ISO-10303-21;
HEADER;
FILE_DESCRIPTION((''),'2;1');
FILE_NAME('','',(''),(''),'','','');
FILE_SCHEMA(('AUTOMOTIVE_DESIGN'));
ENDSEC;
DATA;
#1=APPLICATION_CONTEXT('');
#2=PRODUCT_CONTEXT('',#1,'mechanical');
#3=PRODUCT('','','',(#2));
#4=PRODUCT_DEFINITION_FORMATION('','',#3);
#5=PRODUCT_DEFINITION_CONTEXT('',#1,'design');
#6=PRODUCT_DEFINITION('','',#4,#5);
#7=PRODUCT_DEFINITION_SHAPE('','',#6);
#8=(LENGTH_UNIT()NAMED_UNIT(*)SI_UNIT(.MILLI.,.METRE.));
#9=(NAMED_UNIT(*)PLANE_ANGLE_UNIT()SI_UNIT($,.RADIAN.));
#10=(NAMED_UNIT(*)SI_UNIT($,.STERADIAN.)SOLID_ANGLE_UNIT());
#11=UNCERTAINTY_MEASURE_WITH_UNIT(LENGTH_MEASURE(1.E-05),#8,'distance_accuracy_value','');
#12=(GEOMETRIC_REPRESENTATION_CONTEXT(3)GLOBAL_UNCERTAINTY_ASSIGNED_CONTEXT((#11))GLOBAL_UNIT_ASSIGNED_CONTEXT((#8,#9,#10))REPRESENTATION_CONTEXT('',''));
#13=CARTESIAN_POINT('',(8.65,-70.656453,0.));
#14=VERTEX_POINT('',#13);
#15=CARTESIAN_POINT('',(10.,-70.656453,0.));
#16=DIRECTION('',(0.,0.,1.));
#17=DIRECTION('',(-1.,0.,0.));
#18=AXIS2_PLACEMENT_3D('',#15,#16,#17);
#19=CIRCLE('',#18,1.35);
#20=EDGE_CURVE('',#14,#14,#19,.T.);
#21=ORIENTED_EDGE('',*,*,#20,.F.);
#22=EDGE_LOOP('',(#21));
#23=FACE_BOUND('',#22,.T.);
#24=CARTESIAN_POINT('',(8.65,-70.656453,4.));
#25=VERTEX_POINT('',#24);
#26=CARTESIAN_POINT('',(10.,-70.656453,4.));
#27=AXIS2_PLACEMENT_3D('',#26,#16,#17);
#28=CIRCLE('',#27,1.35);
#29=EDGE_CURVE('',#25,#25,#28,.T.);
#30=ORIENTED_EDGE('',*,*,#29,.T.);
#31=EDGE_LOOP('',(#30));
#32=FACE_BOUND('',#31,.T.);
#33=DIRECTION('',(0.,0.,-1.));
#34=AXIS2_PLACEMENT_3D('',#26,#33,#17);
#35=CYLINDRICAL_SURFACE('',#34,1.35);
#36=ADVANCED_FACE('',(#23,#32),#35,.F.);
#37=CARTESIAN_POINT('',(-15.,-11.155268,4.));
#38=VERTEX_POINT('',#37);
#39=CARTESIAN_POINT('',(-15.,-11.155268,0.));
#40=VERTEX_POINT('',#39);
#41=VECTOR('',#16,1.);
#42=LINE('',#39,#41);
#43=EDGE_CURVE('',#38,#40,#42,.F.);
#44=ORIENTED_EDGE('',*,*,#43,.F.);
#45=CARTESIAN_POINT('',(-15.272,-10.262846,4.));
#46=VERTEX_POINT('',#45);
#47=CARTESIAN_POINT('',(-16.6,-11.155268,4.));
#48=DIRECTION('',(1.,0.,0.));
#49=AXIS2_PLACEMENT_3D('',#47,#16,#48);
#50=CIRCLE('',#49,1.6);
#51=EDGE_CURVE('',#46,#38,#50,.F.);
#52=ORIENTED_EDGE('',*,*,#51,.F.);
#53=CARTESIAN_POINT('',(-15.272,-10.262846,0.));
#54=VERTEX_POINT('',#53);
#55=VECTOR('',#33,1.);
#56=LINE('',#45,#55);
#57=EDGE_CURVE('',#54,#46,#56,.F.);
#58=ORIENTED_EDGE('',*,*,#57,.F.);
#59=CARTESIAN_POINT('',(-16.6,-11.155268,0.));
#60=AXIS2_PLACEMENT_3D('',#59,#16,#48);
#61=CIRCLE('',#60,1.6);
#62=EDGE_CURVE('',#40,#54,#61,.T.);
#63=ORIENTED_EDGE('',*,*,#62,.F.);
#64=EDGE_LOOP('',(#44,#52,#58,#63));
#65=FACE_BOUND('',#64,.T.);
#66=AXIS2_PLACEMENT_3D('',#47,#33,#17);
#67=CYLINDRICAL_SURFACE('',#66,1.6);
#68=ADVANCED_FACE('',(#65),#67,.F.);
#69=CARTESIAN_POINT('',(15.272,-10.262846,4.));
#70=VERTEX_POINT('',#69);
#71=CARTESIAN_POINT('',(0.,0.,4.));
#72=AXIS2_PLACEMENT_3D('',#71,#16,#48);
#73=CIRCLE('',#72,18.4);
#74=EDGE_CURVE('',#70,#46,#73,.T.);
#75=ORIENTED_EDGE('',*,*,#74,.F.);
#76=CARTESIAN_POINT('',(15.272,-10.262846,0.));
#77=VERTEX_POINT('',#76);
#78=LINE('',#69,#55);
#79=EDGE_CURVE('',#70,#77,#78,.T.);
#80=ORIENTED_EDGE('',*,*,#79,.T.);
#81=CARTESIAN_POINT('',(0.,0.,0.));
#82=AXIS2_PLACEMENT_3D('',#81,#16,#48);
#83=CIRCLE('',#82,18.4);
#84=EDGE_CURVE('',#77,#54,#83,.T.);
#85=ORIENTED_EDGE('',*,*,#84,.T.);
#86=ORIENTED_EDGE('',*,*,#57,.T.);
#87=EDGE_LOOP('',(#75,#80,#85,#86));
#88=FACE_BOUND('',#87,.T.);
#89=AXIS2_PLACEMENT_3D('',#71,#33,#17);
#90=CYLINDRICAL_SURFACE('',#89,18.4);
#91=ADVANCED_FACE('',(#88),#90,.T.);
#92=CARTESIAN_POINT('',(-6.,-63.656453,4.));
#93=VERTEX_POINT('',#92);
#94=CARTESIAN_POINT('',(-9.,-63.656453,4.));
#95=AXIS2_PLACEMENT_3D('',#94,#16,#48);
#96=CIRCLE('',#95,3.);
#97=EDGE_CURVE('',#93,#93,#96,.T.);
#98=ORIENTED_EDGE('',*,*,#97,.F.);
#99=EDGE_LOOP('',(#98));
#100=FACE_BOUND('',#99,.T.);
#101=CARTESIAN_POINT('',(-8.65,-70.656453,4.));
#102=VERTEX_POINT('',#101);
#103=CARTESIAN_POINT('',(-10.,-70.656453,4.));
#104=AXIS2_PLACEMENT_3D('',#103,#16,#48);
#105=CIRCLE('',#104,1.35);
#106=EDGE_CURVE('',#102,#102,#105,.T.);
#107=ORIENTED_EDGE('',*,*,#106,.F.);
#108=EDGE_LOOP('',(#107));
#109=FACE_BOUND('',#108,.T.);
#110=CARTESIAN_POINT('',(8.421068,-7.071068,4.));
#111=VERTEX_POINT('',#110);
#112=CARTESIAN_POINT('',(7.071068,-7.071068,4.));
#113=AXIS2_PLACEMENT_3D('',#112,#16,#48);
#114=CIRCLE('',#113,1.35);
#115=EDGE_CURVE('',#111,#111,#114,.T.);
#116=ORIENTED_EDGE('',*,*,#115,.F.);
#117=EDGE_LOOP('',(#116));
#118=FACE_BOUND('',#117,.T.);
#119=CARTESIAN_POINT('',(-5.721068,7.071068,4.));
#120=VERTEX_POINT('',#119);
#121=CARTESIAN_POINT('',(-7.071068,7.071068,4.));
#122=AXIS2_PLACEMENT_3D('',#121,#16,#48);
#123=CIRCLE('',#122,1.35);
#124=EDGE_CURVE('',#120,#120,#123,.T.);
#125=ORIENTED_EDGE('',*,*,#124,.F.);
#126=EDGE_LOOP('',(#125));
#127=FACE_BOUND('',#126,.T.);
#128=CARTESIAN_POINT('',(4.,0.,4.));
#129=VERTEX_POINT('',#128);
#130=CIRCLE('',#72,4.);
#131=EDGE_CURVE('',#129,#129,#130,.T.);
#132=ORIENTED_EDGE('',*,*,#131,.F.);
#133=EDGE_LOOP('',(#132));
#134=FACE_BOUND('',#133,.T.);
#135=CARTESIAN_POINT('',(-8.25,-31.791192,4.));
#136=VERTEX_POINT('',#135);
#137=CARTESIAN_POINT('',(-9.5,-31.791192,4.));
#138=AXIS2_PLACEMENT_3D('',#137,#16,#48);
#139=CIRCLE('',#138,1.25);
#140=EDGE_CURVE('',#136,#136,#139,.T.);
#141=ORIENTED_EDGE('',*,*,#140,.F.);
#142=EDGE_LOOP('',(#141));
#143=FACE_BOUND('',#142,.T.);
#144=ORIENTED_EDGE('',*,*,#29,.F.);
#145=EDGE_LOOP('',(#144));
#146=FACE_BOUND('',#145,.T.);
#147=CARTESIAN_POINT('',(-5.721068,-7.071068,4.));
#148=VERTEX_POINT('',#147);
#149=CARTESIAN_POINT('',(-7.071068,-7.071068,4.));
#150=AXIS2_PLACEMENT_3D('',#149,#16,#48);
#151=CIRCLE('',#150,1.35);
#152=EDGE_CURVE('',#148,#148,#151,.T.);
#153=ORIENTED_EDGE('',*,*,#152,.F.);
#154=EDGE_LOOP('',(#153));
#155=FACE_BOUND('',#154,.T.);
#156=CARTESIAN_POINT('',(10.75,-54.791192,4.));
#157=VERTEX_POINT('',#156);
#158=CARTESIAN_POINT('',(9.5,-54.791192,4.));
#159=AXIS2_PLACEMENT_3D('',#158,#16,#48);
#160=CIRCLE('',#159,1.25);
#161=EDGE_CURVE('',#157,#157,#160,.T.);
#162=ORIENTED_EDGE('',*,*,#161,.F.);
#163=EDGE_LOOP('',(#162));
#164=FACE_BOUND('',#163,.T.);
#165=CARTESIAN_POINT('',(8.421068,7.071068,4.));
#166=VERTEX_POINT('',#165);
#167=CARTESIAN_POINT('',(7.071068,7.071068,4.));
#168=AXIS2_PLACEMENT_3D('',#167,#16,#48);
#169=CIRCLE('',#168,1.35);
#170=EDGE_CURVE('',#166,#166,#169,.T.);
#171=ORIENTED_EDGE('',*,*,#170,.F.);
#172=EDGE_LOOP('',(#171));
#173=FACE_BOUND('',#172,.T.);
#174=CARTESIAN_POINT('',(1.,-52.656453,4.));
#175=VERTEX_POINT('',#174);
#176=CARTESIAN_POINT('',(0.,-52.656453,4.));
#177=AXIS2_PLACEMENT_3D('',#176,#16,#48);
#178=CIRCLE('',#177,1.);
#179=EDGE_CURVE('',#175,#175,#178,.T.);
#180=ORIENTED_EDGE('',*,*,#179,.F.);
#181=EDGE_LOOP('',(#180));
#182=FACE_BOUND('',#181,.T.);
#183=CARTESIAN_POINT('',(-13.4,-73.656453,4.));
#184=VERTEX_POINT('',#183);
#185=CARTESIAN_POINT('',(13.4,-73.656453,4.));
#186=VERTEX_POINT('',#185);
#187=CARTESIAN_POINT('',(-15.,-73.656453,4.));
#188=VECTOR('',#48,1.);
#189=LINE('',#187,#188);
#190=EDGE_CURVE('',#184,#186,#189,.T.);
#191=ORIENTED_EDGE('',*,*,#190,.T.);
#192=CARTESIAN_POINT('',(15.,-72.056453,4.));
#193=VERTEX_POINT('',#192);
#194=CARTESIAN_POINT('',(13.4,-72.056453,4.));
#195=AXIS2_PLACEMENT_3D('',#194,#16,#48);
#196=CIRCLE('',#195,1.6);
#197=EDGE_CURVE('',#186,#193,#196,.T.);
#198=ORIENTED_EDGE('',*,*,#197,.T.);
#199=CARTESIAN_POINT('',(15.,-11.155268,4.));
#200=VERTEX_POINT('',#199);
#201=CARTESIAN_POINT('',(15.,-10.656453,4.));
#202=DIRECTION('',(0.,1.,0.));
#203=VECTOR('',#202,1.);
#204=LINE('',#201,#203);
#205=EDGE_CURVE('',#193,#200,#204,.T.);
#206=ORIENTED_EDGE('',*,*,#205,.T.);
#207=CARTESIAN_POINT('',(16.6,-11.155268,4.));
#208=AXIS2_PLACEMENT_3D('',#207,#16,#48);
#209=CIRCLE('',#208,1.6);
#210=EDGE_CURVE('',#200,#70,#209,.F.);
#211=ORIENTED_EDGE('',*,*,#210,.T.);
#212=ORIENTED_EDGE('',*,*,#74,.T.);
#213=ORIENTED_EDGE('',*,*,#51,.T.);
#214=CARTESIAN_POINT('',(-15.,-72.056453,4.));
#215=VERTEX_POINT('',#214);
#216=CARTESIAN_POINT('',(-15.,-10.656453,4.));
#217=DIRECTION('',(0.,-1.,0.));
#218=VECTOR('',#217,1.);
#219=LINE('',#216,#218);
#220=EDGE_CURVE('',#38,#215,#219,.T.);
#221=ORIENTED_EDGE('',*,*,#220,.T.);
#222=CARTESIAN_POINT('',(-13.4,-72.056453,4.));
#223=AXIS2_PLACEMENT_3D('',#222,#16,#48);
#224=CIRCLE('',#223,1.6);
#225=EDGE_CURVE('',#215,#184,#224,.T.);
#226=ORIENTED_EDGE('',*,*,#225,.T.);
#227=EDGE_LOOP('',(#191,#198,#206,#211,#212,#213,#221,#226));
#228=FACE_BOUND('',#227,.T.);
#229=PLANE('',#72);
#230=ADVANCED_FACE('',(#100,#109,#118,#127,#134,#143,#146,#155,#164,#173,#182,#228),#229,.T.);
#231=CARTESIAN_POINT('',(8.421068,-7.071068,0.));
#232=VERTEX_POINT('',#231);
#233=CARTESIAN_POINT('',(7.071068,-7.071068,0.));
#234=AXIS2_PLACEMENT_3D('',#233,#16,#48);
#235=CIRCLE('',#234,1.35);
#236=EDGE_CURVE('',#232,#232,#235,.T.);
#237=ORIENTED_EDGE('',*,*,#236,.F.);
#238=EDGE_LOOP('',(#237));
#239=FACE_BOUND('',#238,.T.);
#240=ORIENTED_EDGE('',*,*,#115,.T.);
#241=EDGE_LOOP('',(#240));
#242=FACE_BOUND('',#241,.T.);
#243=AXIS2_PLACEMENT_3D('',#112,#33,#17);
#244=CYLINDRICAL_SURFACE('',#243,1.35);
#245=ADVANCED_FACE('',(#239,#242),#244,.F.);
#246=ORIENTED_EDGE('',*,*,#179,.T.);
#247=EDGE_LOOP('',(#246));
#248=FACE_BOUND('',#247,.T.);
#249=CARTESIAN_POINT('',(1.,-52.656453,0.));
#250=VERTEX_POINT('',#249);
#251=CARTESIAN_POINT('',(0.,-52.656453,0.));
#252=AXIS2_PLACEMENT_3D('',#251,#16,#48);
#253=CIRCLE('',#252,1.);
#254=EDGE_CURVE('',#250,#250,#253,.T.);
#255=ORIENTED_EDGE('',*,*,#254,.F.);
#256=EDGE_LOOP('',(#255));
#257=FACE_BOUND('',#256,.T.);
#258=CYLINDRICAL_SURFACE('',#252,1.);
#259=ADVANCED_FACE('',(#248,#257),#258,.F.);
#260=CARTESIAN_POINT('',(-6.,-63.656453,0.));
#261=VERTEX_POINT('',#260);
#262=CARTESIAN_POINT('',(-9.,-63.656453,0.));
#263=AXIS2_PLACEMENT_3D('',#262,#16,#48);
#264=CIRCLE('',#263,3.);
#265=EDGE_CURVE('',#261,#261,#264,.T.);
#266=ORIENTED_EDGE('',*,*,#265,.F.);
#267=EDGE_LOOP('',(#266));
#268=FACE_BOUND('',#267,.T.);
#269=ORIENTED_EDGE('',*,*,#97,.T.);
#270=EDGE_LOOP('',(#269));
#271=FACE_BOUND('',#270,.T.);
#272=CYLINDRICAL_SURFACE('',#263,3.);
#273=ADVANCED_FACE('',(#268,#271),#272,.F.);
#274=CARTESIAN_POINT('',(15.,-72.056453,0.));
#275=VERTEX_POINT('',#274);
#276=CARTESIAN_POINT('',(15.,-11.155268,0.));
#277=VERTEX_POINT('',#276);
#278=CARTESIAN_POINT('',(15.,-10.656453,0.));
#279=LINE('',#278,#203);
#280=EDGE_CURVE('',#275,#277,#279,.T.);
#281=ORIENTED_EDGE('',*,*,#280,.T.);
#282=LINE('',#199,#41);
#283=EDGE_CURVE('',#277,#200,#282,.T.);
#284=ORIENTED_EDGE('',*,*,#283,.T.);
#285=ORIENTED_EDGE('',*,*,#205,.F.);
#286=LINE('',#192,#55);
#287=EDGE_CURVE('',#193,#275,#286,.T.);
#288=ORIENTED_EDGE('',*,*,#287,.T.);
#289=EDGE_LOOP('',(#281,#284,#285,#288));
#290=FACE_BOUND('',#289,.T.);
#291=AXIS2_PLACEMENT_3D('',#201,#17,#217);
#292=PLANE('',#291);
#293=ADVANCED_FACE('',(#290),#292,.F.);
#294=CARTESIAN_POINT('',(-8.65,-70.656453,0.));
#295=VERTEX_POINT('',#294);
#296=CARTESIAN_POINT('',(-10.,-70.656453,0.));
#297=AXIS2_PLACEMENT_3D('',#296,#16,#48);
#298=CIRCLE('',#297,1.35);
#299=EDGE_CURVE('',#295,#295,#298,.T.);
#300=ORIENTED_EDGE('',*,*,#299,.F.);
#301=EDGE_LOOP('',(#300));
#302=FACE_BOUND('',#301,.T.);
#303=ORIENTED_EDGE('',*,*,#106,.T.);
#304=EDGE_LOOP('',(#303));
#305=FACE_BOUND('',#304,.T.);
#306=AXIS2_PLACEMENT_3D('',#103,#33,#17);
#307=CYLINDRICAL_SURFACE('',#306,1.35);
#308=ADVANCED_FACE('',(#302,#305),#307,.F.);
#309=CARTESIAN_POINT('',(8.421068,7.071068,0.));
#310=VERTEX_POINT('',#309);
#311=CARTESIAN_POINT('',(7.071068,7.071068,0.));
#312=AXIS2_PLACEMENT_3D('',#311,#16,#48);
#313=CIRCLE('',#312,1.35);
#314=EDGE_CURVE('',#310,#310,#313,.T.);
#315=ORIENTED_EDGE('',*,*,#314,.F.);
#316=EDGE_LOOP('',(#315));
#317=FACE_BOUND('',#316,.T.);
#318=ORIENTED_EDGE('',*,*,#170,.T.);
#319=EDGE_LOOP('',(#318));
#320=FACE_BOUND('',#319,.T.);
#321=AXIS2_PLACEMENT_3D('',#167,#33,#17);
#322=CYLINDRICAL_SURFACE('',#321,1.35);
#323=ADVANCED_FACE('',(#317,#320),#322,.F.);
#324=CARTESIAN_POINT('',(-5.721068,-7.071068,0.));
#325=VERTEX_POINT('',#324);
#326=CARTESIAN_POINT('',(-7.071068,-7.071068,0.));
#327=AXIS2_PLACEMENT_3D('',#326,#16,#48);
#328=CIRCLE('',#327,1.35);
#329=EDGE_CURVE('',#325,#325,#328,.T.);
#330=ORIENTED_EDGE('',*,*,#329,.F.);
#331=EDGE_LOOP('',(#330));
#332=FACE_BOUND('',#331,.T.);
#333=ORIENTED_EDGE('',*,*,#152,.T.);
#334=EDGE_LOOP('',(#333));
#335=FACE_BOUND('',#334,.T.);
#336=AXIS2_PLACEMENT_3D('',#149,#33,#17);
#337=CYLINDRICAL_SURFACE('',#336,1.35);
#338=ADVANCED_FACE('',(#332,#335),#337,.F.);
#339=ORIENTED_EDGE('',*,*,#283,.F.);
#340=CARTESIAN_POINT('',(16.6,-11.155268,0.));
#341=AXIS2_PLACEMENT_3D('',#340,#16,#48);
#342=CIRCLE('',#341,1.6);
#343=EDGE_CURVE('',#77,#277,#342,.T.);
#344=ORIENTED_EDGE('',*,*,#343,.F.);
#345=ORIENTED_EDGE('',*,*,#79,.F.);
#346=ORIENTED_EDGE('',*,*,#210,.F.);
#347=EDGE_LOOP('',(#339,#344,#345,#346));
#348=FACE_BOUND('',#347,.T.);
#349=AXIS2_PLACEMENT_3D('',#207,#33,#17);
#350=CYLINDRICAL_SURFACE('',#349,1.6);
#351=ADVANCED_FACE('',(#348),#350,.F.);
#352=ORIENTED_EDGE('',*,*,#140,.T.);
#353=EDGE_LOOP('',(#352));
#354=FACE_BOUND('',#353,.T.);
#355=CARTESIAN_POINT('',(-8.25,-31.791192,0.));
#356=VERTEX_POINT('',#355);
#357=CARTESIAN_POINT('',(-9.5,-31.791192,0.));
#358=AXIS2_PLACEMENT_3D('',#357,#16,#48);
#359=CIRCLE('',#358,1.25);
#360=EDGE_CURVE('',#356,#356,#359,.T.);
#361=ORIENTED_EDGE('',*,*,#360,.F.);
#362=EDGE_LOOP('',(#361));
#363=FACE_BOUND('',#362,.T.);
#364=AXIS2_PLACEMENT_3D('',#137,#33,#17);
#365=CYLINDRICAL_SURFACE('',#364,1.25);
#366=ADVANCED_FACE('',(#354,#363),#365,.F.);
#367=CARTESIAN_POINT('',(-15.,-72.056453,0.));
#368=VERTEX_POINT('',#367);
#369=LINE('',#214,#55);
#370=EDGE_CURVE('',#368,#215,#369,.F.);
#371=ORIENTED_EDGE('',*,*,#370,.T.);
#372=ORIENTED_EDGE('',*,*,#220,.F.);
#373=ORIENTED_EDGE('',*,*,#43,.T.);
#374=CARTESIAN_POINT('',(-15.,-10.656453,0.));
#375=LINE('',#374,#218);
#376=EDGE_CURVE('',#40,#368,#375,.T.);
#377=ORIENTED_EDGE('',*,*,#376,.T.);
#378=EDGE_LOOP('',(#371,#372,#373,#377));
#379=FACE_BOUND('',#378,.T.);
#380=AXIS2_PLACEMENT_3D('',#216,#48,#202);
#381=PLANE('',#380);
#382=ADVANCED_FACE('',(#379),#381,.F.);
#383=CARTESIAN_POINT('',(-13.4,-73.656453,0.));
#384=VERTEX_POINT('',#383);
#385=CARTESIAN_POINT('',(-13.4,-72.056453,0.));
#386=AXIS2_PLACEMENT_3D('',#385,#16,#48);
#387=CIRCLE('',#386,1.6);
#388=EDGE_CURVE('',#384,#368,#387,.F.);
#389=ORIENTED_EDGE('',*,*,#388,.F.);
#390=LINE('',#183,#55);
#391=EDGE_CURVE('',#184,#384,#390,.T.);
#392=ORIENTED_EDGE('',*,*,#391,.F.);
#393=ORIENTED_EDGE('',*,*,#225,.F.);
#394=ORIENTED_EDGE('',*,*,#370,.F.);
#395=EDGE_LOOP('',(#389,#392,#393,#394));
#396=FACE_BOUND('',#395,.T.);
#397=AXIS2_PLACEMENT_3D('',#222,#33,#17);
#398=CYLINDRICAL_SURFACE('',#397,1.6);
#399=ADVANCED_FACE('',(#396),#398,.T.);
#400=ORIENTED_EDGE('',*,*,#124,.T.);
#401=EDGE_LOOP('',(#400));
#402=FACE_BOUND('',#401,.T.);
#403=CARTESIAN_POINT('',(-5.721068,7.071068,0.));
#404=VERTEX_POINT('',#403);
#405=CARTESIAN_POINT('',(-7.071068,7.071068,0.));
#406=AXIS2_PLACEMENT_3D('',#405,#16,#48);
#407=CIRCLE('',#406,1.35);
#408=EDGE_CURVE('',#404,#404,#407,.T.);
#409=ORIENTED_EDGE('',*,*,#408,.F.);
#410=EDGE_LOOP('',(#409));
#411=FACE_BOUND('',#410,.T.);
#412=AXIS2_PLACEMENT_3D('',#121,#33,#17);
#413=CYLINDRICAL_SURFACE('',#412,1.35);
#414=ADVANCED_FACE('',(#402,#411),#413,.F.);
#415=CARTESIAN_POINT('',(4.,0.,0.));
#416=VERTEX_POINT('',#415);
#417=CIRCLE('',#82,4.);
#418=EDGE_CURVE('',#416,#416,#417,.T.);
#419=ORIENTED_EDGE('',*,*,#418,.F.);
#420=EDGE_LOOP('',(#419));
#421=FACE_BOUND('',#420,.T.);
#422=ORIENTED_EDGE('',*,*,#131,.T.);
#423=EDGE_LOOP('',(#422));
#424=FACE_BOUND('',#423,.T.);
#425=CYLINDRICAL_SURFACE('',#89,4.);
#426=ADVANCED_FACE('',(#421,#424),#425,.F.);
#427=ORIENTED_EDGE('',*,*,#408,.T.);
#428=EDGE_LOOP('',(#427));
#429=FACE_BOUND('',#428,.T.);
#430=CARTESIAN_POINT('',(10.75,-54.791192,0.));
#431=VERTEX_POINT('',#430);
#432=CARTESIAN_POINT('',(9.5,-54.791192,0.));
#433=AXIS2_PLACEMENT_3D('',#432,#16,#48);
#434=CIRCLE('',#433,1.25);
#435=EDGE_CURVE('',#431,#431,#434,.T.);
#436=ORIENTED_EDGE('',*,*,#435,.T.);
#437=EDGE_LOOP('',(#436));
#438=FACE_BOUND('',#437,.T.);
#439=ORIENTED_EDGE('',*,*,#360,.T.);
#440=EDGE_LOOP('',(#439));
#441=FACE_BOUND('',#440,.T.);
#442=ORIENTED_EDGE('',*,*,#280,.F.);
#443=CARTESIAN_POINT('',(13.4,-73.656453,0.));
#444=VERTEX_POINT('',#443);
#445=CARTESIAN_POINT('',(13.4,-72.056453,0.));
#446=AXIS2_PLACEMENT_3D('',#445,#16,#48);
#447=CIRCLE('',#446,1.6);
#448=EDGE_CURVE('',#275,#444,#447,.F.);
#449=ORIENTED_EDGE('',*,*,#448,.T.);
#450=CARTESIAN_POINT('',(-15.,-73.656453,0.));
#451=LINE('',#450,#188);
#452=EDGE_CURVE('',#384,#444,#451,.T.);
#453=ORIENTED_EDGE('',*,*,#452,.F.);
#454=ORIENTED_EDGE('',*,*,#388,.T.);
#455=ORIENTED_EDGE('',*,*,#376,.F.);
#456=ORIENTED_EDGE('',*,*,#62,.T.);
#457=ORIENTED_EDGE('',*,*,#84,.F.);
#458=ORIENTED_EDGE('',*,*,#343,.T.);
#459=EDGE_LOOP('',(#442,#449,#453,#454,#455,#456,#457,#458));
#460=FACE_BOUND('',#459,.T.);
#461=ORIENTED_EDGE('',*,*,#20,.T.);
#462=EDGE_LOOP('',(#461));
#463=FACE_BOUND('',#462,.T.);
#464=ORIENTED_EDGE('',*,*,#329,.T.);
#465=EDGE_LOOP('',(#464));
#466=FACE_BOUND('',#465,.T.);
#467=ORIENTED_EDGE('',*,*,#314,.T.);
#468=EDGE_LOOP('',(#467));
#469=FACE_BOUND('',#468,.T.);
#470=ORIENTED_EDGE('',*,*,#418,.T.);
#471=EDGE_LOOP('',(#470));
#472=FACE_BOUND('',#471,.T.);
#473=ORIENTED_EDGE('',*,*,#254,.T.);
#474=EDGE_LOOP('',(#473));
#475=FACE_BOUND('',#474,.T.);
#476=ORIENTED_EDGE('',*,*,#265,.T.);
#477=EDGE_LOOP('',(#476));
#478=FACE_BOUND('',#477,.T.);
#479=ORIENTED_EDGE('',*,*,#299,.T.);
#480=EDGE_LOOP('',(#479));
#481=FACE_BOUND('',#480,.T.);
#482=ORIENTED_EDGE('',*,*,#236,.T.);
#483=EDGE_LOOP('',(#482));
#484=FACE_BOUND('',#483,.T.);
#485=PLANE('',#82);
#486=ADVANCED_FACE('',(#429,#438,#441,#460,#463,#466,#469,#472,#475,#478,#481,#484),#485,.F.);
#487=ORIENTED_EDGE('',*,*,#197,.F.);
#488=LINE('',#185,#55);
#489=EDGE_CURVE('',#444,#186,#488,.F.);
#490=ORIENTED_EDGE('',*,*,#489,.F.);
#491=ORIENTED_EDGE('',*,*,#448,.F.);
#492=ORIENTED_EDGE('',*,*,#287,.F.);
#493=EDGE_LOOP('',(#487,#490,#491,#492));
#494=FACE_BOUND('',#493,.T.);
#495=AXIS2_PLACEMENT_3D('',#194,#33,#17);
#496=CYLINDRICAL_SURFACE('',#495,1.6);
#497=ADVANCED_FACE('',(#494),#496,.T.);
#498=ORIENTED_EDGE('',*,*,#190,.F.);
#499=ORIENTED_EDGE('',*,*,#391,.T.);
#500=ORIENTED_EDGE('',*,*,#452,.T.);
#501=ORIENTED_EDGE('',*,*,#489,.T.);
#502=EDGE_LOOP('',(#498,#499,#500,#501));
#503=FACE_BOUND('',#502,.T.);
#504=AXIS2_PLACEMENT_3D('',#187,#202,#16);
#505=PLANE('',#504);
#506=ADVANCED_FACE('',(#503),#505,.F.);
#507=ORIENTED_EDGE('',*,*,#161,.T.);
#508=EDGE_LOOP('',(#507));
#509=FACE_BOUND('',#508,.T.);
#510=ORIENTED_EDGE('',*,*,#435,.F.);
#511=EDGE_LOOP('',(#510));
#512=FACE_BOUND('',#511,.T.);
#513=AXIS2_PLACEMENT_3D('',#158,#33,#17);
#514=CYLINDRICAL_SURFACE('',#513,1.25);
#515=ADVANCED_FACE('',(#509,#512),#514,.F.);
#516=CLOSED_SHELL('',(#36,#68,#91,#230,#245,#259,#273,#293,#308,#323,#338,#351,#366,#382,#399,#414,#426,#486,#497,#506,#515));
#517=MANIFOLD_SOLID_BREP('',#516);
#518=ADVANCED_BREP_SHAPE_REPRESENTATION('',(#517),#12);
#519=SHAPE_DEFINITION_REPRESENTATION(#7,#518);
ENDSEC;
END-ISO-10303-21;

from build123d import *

# Parameters (mm, degrees)
CROQUIS1_R              = 1.35
CROQUIS1_R_2            = 4
CROQUIS1_R_3            = 1.25
SALIENTE_EXTRUIR1_DEPTH = 4
REDONDEO1_R             = 1.6
CROQUIS2_R              = 1
CROQUIS2_R_2            = 3
CORTAR_EXTRUIR1_DEPTH   = 4


with BuildPart() as part:
    # Croquis1 → Saliente-Extruir1 (new body)
    with BuildSketch(Plane.XY):
        with BuildLine():
            Line((-15, -10.656453444), (-15, -73.656453444))
            Line((-15, -73.656453444), (15, -73.656453444))
            Line((15, -73.656453444), (15, -10.656453444))
            ThreePointArc((15, -10.656453444), (0, 18.4), (-15, -10.656453444))
        make_face()
        with Locations((-7.071067812, -7.071067812)):
            Circle(CROQUIS1_R, mode=Mode.SUBTRACT)
        with Locations((-7.071067812, 7.071067812)):
            Circle(CROQUIS1_R, mode=Mode.SUBTRACT)
        with Locations((7.071067812, 7.071067812)):
            Circle(CROQUIS1_R, mode=Mode.SUBTRACT)
        with Locations((7.071067812, -7.071067812)):
            Circle(CROQUIS1_R, mode=Mode.SUBTRACT)
        Circle(CROQUIS1_R_2, mode=Mode.SUBTRACT)
        with Locations((-10, -70.656453444)):
            Circle(CROQUIS1_R, mode=Mode.SUBTRACT)
        with Locations(Location((10, -70.656453444, 0), (0, 0, 180))):
            Circle(CROQUIS1_R, mode=Mode.SUBTRACT)
        with Locations((9.5, -54.791192074)):
            Circle(CROQUIS1_R_3, mode=Mode.SUBTRACT)
        with Locations((-9.5, -31.791192074)):
            Circle(CROQUIS1_R_3, mode=Mode.SUBTRACT)
    extrude(amount=SALIENTE_EXTRUIR1_DEPTH)

    # Redondeo1
    redondeo1_edges = [part.edges().sort_by_distance(p)[0] for p in [
        (15, -10.656453444, 2),
        (15, -73.656453444, 2),
        (-15, -73.656453444, 2),
        (-15, -10.656453444, 2),
    ]]
    fillet(redondeo1_edges, radius=REDONDEO1_R)

    # Croquis2 → Cortar-Extruir1 (cut)
    with BuildSketch(Plane.XY.offset(4)):
        with Locations((0, -52.656453444)):
            Circle(CROQUIS2_R)
        with Locations((-9, -63.656453444)):
            Circle(CROQUIS2_R_2)
    extrude(amount=-CORTAR_EXTRUIR1_DEPTH, mode=Mode.SUBTRACT)


solid = part.part
